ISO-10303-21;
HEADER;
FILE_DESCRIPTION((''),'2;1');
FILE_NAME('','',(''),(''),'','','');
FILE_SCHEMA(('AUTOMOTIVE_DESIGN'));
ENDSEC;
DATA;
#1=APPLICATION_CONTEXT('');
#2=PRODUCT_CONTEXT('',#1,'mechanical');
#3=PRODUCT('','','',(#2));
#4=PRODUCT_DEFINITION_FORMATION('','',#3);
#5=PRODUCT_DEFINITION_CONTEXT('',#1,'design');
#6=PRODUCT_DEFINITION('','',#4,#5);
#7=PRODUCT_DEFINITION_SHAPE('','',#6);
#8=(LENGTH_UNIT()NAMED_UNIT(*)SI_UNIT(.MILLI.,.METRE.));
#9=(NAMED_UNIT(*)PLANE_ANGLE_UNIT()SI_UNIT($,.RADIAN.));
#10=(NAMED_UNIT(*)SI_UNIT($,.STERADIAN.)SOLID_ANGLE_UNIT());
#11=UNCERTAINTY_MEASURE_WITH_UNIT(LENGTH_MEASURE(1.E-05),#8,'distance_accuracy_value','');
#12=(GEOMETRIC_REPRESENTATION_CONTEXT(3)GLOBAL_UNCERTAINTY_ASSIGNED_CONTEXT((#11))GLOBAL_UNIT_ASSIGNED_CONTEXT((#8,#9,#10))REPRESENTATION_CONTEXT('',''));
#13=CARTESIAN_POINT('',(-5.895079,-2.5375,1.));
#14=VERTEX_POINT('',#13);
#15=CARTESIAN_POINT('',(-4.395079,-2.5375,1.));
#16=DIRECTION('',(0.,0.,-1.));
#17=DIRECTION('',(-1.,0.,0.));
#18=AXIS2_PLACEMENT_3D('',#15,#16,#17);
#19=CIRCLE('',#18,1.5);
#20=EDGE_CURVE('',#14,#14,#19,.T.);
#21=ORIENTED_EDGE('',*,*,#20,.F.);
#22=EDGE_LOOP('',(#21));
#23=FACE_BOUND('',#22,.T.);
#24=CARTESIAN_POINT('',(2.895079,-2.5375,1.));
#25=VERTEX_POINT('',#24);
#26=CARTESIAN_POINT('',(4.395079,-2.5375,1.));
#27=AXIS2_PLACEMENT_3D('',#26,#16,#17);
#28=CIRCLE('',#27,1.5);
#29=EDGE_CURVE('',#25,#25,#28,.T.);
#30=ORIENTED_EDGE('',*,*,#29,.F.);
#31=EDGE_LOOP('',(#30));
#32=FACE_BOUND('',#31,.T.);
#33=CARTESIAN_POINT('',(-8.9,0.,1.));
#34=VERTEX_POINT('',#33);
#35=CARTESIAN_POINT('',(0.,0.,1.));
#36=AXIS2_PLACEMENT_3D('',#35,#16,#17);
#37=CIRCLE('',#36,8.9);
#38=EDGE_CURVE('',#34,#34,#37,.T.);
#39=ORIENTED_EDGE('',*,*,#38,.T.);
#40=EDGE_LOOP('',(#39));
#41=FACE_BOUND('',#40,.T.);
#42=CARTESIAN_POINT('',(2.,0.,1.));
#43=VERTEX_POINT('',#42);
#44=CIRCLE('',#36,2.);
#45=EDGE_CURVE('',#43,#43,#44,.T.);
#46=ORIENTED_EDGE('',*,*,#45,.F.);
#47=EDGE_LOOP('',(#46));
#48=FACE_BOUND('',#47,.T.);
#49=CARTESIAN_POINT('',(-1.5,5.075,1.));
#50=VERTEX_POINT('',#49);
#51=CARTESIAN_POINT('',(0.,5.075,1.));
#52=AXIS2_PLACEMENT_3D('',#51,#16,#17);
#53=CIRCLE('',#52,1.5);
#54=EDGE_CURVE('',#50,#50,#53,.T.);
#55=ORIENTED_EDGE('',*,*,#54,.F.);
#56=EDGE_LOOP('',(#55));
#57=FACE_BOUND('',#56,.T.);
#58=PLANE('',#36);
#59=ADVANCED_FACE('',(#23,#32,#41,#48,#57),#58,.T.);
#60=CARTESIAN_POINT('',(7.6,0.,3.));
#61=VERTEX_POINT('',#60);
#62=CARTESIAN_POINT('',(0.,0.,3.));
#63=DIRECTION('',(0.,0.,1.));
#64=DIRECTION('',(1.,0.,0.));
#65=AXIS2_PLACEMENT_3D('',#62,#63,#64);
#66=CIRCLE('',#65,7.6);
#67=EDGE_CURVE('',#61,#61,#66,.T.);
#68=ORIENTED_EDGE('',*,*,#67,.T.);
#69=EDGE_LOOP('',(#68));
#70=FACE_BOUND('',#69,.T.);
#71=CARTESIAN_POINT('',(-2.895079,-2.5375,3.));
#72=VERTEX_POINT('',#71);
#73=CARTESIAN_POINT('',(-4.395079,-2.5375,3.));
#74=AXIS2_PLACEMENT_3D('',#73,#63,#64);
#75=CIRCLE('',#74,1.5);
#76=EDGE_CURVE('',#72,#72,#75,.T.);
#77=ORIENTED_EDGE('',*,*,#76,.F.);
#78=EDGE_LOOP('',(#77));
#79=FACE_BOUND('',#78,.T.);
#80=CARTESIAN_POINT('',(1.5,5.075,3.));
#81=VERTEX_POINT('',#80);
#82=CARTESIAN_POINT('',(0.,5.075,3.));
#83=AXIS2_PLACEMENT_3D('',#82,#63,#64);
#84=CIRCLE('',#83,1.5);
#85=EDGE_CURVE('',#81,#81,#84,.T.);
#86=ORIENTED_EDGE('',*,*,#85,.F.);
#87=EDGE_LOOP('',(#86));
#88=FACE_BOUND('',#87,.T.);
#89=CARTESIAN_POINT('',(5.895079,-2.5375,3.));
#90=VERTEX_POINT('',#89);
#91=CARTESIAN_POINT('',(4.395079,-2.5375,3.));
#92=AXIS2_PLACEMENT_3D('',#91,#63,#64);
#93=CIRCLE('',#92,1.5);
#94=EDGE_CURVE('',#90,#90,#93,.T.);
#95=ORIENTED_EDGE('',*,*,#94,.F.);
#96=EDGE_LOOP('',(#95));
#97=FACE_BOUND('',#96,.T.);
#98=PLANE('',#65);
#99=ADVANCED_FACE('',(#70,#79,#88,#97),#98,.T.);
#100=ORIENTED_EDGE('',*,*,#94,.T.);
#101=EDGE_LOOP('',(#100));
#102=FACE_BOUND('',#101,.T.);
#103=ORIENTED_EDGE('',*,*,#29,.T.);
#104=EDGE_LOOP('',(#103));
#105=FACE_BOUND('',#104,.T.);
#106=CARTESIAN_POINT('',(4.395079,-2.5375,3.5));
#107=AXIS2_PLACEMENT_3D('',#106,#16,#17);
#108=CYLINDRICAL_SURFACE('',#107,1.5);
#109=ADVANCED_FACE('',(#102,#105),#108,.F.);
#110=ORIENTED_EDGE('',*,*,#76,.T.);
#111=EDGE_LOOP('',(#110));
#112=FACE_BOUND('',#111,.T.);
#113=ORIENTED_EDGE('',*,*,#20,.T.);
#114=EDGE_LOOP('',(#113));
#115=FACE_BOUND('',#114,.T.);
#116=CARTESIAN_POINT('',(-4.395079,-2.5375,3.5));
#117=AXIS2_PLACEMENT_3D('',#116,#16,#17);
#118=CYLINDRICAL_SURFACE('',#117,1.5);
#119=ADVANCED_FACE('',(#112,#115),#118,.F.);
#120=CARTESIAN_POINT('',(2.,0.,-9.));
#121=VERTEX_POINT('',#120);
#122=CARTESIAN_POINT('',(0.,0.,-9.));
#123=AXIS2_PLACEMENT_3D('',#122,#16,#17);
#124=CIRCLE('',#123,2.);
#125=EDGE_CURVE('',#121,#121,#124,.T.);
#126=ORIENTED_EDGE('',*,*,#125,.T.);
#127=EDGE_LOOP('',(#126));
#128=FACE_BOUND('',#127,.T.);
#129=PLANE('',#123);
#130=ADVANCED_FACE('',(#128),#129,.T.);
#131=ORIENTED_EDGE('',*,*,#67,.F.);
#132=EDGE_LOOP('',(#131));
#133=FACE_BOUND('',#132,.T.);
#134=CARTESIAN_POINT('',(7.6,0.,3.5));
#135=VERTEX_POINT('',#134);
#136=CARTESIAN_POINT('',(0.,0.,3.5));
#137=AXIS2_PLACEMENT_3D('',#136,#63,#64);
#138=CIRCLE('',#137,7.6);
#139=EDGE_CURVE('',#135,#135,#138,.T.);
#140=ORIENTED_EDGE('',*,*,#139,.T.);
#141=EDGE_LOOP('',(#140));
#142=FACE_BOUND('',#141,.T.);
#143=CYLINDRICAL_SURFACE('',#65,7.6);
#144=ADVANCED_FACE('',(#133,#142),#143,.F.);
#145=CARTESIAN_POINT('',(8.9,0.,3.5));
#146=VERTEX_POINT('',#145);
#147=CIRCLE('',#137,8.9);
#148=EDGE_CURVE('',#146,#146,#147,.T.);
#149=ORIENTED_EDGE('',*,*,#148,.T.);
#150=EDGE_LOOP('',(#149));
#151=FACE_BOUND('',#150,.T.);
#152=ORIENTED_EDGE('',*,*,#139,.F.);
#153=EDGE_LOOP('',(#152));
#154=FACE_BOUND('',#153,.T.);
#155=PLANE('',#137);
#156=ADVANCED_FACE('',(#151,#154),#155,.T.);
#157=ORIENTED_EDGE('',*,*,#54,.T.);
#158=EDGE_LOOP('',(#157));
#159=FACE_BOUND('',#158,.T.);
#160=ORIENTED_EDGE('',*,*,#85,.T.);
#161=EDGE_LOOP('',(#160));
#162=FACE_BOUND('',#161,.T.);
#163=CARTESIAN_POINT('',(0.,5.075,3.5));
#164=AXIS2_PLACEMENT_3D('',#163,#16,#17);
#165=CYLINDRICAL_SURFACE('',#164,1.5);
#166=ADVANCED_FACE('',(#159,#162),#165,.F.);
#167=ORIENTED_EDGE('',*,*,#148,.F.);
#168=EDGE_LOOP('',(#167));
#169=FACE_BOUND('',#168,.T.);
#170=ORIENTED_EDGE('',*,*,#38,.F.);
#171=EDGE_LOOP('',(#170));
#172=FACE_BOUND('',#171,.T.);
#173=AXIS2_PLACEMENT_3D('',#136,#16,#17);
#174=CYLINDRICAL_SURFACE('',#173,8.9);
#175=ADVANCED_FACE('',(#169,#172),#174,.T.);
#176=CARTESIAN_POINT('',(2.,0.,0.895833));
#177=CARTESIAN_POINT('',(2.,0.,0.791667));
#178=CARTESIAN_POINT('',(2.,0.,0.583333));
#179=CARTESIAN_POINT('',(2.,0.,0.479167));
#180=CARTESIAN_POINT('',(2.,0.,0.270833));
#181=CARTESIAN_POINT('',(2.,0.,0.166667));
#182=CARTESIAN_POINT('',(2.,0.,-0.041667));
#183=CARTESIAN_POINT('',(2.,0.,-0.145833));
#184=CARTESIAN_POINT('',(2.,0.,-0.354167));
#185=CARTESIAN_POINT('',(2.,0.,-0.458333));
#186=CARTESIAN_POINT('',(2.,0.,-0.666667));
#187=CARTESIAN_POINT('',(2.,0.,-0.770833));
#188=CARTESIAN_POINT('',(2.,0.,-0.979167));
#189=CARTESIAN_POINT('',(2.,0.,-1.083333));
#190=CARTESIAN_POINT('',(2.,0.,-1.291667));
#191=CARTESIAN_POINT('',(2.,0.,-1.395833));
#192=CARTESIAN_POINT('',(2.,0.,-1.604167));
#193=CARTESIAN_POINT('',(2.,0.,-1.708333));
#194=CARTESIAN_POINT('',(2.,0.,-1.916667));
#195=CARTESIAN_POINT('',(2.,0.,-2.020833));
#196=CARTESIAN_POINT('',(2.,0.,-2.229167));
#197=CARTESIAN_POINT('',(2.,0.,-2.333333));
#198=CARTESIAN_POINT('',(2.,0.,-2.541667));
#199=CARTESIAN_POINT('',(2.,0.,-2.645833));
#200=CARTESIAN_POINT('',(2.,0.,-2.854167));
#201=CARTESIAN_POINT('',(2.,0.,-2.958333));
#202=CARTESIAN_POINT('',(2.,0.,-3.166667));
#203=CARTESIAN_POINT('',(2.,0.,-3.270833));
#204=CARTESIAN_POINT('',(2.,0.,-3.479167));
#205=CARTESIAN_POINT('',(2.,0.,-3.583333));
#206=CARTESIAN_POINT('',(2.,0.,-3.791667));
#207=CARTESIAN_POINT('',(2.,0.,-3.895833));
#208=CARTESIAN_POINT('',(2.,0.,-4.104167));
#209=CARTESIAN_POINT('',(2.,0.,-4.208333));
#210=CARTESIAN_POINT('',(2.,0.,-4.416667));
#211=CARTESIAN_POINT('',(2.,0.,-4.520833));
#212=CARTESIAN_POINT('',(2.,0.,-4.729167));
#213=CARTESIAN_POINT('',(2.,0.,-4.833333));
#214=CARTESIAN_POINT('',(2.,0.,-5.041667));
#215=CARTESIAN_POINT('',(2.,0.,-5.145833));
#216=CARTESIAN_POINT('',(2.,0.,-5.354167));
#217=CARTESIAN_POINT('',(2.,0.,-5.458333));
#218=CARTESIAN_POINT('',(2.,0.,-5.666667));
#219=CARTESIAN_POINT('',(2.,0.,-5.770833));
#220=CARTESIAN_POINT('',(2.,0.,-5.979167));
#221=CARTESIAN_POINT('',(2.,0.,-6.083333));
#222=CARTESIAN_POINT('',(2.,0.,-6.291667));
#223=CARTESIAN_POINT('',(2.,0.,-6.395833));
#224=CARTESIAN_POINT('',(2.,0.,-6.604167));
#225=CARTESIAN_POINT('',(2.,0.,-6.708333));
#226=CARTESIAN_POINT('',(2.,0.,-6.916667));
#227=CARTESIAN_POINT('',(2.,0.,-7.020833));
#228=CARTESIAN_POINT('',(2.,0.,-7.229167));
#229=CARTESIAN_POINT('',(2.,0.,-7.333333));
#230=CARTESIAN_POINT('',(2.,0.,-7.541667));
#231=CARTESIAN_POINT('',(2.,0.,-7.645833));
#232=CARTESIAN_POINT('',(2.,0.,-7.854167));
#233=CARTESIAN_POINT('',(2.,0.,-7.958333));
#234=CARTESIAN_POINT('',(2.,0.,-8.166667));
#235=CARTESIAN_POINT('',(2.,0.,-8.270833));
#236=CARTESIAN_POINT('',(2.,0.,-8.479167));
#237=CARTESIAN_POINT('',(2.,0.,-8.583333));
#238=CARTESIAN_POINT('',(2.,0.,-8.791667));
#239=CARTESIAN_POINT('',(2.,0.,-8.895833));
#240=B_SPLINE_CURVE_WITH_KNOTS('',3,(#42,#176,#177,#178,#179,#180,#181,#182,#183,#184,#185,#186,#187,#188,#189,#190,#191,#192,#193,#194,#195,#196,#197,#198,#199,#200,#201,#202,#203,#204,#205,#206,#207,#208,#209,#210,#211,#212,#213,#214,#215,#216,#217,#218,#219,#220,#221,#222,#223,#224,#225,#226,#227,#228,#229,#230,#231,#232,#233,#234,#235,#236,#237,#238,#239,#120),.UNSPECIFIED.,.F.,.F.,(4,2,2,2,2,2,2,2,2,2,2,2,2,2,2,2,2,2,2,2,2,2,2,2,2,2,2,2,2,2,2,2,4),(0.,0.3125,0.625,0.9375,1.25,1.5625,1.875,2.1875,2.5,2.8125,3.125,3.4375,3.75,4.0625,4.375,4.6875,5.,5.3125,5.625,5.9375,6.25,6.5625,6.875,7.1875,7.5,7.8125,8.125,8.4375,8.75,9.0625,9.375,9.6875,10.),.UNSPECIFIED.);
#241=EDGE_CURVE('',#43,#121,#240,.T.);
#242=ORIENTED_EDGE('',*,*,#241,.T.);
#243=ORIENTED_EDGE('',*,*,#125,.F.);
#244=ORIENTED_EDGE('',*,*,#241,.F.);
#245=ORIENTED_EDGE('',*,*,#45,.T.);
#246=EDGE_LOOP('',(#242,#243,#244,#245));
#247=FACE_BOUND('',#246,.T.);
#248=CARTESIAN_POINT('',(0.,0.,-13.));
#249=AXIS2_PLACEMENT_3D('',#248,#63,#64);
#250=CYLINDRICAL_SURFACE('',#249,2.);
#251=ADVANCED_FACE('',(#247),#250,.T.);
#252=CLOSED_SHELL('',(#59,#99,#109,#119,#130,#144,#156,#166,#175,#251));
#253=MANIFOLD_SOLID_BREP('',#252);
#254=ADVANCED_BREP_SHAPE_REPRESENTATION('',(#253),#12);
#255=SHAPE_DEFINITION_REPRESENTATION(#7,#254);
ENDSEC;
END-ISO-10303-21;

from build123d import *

# Parameters (mm, degrees)
SKETCH_1_R          = 8.9
SKETCH_1_R_2        = 1.5
EXTRUDE_1_DEPTH     = 3.5
SKETCH_2_R          = 7.6
CUT_EXTRUDE_1_DEPTH = 0.5
SKETCH_3_R          = 2
EXTRUDE_2_DEPTH     = 13
SKETCH_8_R          = 4
EXTRUDE_4_DEPTH     = 10
CUT_EXTRUDE_START   = -11.5
SKETCH_13_R         = 4
CUT_EXTRUDE_3_DEPTH = 11.5
SKETCH_16_R         = 8.9
SKETCH_16_R_2       = 2
CUT_EXTRUDE_5_DEPTH = 1
SKETCH_17_R         = 2
EXTRUDE_5_DEPTH     = 2


with BuildPart() as part:
    # 草图1 → 凸台-拉伸1 (new body)
    with BuildSketch(Plane.XY):
        Circle(SKETCH_1_R)
        with Locations((0, 5.075)):
            Circle(SKETCH_1_R_2, mode=Mode.SUBTRACT)
        with Locations((4.395078924, -2.5375)):
            Circle(SKETCH_1_R_2, mode=Mode.SUBTRACT)
        with Locations((-4.395078924, -2.5375)):
            Circle(SKETCH_1_R_2, mode=Mode.SUBTRACT)
    extrude(amount=EXTRUDE_1_DEPTH)

    # 草图2 → 切除-拉伸1 (cut)
    with BuildSketch(Plane.XY.offset(3.5)):
        Circle(SKETCH_2_R)
    extrude(amount=-CUT_EXTRUDE_1_DEPTH, mode=Mode.SUBTRACT)

    # 草图3 → 凸台-拉伸2 (add)
    with BuildSketch(Plane(origin=(0, 0, 0), x_dir=(-1, 0, 0), z_dir=(0, 0, -1))):
        with Locations(Location((0, 0, 0), (0, 0, 180))):
            Circle(SKETCH_3_R)
    extrude(amount=EXTRUDE_2_DEPTH)

    # 草图8 → 凸台-拉伸4 (add)
    with BuildSketch(Plane(origin=(0, 0, -8.5), x_dir=(-1, 0, 0), z_dir=(0, 0, -1))):
        Circle(SKETCH_8_R)
    extrude(amount=EXTRUDE_4_DEPTH)

    # 草图13 → 切除-拉伸3 (cut)
    with BuildSketch(Plane(origin=(0, 0, -18.5), x_dir=(-1, 0, 0), z_dir=(0, 0, -1)).offset(CUT_EXTRUDE_START)):
        Circle(SKETCH_13_R)
    extrude(amount=CUT_EXTRUDE_3_DEPTH, mode=Mode.SUBTRACT)

    # 草图16 → 切除-拉伸5 (cut)
    with BuildSketch(Plane(origin=(0, 0, 0), x_dir=(-1, 0, 0), z_dir=(0, 0, -1))):
        Circle(SKETCH_16_R)
        with Locations(Location((0, 0, 0), (0, 0, 180))):
            Circle(SKETCH_16_R_2, mode=Mode.SUBTRACT)
    extrude(amount=-CUT_EXTRUDE_5_DEPTH, mode=Mode.SUBTRACT)

    # 草图17 → 凸台-拉伸5 (add)
    with BuildSketch(Plane(origin=(0, 0, -7), x_dir=(-1, 0, 0), z_dir=(0, 0, -1))):
        with Locations(Location((0, 0, 0), (0, 0, 180))):
            Circle(SKETCH_17_R)
    extrude(amount=EXTRUDE_5_DEPTH)


solid = part.part
